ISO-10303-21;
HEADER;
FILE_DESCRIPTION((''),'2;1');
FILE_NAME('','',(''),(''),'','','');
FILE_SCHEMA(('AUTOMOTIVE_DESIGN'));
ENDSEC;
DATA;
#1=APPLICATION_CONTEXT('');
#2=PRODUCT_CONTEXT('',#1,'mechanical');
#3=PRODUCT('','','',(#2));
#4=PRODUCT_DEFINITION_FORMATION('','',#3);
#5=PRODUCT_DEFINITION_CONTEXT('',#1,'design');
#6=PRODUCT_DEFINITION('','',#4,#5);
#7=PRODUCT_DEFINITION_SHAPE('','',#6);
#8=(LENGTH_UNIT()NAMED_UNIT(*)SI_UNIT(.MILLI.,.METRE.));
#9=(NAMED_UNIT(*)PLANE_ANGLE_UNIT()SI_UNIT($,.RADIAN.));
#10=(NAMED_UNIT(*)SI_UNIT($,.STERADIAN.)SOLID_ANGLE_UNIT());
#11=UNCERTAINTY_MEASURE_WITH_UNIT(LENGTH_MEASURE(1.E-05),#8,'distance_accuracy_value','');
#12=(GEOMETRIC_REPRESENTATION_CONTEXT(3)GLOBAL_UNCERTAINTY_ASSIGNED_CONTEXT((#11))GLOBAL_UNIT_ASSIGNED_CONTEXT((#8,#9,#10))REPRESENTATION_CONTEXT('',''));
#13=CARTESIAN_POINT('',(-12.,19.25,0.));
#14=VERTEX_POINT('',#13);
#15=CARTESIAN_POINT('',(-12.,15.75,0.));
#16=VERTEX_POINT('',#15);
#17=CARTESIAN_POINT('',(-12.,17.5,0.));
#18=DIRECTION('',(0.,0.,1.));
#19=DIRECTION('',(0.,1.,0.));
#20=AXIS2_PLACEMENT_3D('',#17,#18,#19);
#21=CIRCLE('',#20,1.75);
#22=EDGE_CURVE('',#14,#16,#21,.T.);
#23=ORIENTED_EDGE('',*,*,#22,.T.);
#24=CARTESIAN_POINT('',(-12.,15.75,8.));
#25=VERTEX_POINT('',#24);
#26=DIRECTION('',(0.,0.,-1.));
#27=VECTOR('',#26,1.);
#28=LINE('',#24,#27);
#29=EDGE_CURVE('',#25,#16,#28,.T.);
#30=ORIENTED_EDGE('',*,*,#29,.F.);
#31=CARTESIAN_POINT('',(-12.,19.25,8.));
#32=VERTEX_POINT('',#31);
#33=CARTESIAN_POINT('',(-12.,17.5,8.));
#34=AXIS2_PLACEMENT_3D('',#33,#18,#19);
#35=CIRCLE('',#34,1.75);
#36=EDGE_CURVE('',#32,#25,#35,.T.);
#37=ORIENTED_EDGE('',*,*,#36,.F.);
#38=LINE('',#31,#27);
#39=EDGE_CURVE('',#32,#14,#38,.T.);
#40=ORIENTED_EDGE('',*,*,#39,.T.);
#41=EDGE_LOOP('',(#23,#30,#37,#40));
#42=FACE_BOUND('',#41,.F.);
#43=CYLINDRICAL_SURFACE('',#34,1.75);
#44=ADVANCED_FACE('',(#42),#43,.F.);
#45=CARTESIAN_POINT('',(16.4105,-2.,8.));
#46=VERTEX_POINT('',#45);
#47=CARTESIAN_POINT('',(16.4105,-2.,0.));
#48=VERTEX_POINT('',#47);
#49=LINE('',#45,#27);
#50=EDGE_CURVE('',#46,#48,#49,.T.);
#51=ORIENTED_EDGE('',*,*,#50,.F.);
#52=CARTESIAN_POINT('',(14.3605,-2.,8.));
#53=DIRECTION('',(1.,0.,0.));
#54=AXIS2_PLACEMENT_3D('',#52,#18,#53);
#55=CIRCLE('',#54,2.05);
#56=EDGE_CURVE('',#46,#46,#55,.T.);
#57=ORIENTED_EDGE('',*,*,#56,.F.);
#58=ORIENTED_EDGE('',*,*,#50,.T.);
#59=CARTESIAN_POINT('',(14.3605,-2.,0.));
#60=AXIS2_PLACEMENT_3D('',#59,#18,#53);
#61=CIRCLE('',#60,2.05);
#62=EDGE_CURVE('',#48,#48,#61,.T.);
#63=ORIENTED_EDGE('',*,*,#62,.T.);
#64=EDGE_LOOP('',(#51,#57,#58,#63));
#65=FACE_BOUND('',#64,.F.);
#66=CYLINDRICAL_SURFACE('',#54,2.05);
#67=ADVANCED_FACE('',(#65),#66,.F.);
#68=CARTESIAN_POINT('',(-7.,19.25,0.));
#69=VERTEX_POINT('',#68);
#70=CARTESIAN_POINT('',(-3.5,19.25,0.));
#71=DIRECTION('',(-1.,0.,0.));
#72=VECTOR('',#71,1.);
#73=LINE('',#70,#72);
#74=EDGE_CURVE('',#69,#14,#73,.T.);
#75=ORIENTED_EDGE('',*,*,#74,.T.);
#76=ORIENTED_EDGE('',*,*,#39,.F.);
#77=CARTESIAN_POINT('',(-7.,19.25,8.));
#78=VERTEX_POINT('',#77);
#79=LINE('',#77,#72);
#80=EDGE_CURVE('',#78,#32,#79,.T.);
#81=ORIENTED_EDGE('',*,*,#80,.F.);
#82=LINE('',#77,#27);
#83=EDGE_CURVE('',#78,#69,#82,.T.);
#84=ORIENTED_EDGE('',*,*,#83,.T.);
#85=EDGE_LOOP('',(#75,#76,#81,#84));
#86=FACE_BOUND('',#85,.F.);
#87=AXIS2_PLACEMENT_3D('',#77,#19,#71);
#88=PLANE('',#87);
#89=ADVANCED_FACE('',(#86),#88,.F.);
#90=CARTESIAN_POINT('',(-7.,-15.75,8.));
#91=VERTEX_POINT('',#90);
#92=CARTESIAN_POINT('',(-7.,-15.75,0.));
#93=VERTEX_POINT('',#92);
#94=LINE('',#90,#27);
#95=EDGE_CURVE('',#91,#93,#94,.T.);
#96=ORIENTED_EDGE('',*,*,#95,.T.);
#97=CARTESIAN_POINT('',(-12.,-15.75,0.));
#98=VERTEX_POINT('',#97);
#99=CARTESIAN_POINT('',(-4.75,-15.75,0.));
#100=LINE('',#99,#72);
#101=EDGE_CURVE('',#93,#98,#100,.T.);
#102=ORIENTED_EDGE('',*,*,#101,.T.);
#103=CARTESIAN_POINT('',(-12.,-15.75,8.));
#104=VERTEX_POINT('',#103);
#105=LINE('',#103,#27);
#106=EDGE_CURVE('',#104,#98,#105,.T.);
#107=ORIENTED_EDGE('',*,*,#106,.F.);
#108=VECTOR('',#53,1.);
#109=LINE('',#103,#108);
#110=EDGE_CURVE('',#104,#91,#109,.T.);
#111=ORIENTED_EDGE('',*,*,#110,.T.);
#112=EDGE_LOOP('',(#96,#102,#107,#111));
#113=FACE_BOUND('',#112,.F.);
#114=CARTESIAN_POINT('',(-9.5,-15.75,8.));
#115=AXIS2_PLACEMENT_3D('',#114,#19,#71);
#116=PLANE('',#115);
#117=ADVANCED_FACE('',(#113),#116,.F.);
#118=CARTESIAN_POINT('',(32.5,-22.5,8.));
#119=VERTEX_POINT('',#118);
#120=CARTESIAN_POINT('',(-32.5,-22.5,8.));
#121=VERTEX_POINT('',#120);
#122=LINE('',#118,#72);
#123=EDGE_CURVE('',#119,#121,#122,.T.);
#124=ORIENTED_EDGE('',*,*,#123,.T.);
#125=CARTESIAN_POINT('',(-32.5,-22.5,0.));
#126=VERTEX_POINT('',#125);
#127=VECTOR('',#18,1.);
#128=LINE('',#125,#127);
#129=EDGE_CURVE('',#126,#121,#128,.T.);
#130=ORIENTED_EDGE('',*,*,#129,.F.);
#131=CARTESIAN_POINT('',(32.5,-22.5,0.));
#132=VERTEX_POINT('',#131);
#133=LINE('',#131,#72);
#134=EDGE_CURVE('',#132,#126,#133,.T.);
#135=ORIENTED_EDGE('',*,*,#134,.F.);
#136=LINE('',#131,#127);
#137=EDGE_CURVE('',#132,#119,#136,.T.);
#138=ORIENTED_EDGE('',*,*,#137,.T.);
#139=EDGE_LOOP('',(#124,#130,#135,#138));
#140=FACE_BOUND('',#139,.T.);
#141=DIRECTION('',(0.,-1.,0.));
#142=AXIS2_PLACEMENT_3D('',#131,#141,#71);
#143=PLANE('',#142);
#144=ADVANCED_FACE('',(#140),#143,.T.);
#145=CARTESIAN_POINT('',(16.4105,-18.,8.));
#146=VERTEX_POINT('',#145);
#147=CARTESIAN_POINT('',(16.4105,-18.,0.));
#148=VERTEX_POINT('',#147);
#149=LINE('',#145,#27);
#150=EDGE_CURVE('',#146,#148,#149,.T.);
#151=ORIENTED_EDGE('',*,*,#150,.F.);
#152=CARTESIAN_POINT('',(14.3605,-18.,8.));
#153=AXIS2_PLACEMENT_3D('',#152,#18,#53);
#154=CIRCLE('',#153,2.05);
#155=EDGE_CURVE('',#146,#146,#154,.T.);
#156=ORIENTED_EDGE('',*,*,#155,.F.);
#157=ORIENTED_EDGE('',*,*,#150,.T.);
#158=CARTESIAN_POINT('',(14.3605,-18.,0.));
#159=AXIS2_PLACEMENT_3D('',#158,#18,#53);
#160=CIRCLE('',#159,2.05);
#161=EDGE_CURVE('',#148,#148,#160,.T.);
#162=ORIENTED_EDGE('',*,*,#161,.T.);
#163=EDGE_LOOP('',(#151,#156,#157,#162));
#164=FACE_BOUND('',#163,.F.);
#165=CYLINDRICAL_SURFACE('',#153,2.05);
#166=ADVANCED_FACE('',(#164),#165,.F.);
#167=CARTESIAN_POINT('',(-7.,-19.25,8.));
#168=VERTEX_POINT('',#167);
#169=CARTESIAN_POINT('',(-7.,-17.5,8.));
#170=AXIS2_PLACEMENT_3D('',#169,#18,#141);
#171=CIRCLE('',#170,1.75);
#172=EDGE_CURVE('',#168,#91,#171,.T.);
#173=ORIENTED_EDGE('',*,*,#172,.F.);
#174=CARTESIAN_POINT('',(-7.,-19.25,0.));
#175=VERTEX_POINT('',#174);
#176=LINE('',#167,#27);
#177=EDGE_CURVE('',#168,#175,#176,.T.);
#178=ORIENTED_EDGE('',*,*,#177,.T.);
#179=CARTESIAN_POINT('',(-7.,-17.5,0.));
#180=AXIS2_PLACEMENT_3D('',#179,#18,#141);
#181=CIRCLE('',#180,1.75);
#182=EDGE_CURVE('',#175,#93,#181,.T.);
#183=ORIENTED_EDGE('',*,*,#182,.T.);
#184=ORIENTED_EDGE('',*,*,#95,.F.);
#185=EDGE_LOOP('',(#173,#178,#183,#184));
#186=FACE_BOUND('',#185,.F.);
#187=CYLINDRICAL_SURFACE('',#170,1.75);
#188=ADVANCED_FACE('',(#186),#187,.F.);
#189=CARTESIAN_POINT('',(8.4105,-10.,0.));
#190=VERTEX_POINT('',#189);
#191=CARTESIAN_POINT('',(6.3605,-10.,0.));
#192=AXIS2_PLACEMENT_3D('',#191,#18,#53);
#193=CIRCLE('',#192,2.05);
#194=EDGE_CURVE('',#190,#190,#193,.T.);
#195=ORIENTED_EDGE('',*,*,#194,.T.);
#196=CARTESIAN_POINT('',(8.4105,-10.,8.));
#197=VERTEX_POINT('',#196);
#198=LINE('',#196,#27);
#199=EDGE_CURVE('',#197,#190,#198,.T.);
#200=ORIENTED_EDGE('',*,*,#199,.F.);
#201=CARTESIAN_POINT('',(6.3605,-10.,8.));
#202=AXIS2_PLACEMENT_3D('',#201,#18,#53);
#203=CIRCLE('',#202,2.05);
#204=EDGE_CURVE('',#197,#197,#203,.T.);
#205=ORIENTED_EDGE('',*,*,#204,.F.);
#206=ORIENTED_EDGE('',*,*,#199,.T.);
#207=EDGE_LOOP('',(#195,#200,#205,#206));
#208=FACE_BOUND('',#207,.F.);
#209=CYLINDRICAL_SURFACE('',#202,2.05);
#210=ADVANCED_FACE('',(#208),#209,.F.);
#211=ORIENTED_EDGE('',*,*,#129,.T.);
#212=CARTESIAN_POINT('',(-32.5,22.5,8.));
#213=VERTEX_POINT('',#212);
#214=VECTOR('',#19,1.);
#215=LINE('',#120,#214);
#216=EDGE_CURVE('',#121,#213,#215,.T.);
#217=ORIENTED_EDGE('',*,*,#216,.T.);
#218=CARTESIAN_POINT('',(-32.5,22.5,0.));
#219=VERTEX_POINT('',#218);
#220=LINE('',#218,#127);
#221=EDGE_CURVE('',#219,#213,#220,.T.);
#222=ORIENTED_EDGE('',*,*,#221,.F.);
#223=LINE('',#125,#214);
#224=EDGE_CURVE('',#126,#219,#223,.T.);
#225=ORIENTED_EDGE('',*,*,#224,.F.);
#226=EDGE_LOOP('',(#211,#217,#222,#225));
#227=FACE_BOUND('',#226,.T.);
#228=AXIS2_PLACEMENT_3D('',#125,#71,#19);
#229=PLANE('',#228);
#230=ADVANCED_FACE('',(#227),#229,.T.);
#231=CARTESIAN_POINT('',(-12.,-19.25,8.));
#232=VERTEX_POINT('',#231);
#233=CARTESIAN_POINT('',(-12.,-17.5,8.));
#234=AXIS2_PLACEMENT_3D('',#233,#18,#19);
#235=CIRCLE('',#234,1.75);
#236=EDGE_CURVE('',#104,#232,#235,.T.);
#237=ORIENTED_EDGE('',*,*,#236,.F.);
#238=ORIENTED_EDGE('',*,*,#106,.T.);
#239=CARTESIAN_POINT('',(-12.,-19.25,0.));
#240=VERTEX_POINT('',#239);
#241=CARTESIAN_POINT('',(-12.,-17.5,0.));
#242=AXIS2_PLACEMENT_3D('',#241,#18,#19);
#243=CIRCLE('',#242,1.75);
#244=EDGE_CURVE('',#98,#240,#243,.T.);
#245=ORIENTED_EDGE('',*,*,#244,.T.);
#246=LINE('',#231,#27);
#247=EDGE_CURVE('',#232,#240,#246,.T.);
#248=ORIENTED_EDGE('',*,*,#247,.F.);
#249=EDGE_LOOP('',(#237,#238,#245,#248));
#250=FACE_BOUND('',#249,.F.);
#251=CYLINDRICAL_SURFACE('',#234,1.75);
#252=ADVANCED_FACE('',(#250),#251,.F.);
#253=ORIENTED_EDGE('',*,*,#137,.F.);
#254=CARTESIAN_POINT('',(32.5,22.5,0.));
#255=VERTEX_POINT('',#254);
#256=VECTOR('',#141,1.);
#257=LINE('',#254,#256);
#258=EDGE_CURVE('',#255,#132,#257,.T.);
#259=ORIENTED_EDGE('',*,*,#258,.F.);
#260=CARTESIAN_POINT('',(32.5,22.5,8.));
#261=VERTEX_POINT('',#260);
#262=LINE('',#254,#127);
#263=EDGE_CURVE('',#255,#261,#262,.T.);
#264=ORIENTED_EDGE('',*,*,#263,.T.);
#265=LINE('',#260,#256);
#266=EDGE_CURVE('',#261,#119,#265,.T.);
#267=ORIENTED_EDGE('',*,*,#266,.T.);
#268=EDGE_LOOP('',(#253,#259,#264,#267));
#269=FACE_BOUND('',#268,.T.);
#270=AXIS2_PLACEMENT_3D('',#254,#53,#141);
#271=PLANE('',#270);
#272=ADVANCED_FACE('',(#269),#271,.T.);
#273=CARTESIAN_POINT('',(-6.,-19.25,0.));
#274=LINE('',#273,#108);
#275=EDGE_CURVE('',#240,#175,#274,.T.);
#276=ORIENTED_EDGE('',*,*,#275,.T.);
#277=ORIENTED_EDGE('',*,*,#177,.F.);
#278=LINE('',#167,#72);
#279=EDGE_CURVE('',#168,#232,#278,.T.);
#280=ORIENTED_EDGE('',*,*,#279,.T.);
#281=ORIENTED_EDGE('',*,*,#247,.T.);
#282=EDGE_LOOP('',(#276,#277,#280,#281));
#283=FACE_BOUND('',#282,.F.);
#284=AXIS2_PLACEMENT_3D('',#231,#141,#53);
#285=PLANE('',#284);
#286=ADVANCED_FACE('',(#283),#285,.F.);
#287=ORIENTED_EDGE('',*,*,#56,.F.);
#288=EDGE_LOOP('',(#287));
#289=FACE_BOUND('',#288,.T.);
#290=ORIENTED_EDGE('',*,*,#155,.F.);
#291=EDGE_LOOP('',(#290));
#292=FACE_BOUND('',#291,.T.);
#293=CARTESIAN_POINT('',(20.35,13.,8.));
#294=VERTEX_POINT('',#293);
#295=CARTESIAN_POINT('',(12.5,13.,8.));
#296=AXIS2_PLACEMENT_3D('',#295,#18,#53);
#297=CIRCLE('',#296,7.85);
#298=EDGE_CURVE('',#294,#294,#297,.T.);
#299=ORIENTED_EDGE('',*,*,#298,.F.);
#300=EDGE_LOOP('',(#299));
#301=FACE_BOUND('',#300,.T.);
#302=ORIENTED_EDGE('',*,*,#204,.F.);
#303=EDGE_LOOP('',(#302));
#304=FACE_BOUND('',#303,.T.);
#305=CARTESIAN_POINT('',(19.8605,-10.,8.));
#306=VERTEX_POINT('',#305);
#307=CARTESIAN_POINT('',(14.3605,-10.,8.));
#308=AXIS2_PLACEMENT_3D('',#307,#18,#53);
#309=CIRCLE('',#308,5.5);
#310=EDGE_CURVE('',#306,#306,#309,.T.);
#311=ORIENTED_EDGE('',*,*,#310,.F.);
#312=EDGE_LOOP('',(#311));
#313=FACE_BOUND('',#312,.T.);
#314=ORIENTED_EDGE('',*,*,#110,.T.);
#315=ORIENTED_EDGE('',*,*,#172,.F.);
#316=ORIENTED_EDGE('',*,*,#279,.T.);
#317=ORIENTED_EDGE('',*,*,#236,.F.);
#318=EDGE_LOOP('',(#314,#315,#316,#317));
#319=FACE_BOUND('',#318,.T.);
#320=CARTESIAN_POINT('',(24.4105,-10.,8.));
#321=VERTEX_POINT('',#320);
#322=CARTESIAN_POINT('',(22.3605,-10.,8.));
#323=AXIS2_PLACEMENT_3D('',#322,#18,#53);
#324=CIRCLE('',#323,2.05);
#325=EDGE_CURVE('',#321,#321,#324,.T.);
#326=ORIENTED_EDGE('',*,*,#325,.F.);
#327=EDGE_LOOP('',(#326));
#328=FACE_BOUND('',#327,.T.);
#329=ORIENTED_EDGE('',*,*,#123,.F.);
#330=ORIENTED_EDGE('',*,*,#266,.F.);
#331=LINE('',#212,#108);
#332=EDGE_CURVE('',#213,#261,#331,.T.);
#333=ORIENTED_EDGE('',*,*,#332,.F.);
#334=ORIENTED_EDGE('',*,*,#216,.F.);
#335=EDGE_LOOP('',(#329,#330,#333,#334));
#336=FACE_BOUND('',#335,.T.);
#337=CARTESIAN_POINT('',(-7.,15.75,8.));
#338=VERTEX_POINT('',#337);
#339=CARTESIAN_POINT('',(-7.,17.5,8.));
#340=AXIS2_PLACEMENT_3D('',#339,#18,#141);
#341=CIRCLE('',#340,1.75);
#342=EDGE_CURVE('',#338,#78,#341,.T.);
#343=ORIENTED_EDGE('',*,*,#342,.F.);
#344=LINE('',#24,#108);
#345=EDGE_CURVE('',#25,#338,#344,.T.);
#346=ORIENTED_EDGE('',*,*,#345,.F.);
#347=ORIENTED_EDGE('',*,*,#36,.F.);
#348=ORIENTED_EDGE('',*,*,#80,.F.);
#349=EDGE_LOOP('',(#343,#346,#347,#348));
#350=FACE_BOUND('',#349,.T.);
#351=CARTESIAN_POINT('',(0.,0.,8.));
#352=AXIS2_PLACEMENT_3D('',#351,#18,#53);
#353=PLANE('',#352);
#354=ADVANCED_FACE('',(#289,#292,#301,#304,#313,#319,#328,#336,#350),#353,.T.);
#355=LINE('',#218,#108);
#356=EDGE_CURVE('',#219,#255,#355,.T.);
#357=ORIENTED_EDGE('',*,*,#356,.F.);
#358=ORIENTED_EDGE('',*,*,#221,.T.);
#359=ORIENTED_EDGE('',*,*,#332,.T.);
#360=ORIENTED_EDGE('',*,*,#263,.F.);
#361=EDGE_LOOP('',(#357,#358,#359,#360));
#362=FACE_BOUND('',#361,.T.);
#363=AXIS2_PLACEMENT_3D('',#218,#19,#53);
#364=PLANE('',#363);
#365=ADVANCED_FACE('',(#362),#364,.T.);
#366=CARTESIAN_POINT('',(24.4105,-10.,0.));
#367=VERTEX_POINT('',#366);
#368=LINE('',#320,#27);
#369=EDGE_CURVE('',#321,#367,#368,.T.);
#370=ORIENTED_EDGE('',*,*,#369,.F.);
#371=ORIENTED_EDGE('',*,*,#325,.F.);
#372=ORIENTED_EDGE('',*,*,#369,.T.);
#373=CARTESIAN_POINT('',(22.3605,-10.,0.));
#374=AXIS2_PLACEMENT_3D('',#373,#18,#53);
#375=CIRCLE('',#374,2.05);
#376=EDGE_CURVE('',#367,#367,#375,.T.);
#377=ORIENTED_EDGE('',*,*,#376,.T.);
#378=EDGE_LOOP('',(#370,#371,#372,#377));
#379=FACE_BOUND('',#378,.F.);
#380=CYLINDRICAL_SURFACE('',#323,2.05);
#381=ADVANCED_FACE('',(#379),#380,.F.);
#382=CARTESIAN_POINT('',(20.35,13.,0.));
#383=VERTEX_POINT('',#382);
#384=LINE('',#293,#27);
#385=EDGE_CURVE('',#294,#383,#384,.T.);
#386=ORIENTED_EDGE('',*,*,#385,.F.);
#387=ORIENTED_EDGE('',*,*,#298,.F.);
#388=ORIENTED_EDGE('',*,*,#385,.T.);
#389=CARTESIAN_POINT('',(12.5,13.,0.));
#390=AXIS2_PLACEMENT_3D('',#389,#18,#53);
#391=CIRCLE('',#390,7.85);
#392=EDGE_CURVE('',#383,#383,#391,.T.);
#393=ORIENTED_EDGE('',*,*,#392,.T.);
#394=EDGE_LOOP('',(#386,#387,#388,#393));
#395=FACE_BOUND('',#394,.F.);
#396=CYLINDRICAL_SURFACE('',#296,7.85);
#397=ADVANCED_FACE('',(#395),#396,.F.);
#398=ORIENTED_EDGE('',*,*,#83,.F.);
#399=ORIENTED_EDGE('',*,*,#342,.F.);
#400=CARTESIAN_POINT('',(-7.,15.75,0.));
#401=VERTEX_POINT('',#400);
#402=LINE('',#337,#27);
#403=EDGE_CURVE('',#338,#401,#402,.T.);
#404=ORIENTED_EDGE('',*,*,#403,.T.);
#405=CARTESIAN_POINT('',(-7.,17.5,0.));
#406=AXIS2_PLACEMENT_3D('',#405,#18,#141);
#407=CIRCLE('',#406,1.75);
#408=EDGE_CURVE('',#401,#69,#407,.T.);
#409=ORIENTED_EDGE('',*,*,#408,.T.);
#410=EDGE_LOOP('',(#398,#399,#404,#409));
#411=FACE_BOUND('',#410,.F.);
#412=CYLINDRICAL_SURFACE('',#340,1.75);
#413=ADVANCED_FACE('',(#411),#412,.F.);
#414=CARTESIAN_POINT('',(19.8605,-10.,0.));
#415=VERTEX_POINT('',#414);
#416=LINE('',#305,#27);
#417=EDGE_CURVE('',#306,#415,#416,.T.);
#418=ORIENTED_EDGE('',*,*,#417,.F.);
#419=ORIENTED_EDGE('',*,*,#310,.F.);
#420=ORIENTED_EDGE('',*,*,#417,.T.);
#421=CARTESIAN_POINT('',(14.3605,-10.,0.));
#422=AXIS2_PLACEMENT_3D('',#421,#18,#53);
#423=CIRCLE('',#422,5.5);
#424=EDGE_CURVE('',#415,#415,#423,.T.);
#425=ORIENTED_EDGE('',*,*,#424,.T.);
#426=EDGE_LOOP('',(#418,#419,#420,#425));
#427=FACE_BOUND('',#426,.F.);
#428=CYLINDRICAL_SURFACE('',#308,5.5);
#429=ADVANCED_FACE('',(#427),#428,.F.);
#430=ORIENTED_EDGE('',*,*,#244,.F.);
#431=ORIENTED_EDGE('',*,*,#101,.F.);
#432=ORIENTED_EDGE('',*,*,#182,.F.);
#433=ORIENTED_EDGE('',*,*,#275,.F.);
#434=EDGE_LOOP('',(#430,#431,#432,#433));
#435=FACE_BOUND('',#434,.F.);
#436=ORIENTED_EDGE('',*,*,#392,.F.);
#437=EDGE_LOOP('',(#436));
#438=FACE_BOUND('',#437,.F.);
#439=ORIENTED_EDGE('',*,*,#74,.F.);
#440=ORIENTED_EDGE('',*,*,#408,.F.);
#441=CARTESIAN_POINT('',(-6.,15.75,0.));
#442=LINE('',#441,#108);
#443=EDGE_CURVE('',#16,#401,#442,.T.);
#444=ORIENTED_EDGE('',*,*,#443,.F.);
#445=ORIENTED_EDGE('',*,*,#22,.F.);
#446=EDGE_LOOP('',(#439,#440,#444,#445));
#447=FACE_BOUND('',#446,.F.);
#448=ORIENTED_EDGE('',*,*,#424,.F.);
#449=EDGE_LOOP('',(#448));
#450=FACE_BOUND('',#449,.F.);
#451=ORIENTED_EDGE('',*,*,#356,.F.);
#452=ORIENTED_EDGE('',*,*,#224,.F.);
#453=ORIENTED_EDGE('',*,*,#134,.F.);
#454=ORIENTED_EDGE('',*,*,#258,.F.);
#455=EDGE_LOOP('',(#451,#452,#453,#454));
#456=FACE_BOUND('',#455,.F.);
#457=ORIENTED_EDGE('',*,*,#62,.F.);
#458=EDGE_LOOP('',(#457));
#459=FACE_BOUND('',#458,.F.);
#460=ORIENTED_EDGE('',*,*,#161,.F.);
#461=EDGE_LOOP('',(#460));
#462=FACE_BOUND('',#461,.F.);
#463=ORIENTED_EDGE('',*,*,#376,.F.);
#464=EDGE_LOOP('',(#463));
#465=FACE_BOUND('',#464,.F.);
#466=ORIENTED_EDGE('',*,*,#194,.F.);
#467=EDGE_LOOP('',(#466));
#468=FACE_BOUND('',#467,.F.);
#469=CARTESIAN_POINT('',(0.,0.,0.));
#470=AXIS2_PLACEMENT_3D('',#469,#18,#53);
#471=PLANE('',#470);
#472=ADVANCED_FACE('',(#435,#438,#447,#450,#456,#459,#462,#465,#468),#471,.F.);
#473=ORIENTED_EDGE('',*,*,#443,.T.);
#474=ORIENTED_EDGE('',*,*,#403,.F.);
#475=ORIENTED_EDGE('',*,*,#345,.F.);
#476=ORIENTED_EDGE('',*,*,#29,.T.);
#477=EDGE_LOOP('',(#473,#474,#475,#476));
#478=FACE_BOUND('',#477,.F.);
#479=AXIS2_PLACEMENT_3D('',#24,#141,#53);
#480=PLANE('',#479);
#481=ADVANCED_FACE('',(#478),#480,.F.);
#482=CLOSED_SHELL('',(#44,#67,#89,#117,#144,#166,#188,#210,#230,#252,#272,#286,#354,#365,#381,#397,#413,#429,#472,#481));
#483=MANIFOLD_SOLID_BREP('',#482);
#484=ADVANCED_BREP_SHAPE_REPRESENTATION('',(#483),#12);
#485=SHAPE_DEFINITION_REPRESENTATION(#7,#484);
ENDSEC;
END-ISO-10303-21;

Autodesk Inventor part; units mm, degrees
ref_plane "YZ Plane" through (0, 0, 0) normal (1, 0, 0) x (0, 1, 0)
ref_plane "XZ Plane" through (0, 0, 0) normal (0, 1, 0) x (-1, 0, 0)
ref_plane "XY Plane" through (0, 0, 0) normal (0, 0, 1) x (1, 0, 0)
sketch "Sketch1" plane through (0, 0, 0) normal (0, 0, 1) x (1, 0, 0)
  line L0 (-32.5, 22.5) -> (32.5, 22.5)
  line L1 (32.5, 22.5) -> (32.5, -22.5)
  line L2 (32.5, -22.5) -> (-32.5, -22.5)
  line L3 (-32.5, -22.5) -> (-32.5, 22.5)
  point P0 (0, 0)
  point P1 (0, 22.5)
  point P2 (-32.5, 0)
  dimension "d0" = 65
  dimension "d1" = 45
extrude "Extrusion1" add sketch "Sketch1" along normal blind 8
sketch "Sketch3" plane through (0, 0, 8) normal (0, 0, 1) x (1, 0, 0)
  line L0 (-32.5, -22.5) -> (32.5, -22.5) projected
  line L1 (32.5, -22.5) -> (32.5, 22.5) projected
  line L2 (32.5, 22.5) -> (-32.5, 22.5) projected
  line L3 (-32.5, 22.5) -> (-32.5, -22.5) projected
  line L4 (-12, 17.5) -> (-7, 17.5) construction
  line L5 (-12, 15.75) -> (-7, 15.75)
  line L6 (-7, 19.25) -> (-12, 19.25)
  arc A0 (-12, 19.25) -> (-12, 15.75) centre (-12, 17.5) ccw
  arc A1 (-7, 15.75) -> (-7, 19.25) centre (-7, 17.5) ccw
  line L7 (-12, -17.5) -> (-7, -17.5) construction
  line L8 (-12, -19.25) -> (-7, -19.25)
  line L9 (-7, -15.75) -> (-12, -15.75)
  arc A2 (-12, -15.75) -> (-12, -19.25) centre (-12, -17.5) ccw
  arc A3 (-7, -19.25) -> (-7, -15.75) centre (-7, -17.5) ccw
  circle A4 centre (-9.5, -17.5) radius 1.75 projected
  point P0 (0, 0)
  point P1 (-9.5, 17.5)
  point P2 (-9.5, -17.5)
  dimension "d8" = 5
  dimension "d9" = 3.5
  dimension "d10" = 5
  dimension "d16" = 5
  dimension "d17" = 23
  dimension "d18" = 5
  dimension "d36" = 23
extrude "Extrusion3" cut sketch "Sketch3" against normal through all contours A0 L6 A1 L5 | A2 L9 A4 L8 | A4 L9 A3 L8 | A4
sketch "Sketch4" plane through (0, 0, 8) normal (0, 0, 1) x (1, 0, 0)
  circle A0 centre (14.3605, -10) radius 11
  circle A1 centre (6.3605, -10) radius 2.05
  circle A2 centre (14.3605, -2) radius 2.05
  circle A3 centre (22.3605, -10) radius 2.05
  circle A4 centre (14.3605, -18) radius 2.05
  circle A5 centre (14.3605, -10) radius 5.5
  line L0 (32.5, -22.5) -> (32.5, 22.5) projected
  line L1 (-32.5, -22.5) -> (32.5, -22.5) projected
  dimension "d19" = 8
  dimension "d20" = 11
  dimension "d21" = 4.1
  dimension "d22" = 4.1
  dimension "d23" = 4.1
  dimension "d24" = 4.1
  dimension "d25" = 22
  dimension "d26" = 18.1395
  dimension "d27" = 8
  dimension "d28" = 8
  dimension "d29" = 8
  dimension "d30" = 12.5
extrude "Extrusion4" cut sketch "Sketch4" against normal through all contours A1 | A2 | A3 | A4 | A5
sketch "Sketch5" plane through (0, 0, 8) normal (0, 0, 1) x (1, 0, 0)
  circle A0 centre (12.5, 13) radius 7.85
  circle A1 centre (14.3605, -10) radius 5.5 projected
  line L0 (32.5, -22.5) -> (32.5, 22.5) projected
  point P0 (0, 0)
  dimension "d31" = 15.7
  dimension "d32" = 23
  dimension "d33" = 20
extrude "Extrusion5" cut sketch "Sketch5" against normal blind 10 contours A0
equation "\"d18\" = d16"
properties part number "0005-10-003 Actionare seringa" material "Wood (Maple)"
